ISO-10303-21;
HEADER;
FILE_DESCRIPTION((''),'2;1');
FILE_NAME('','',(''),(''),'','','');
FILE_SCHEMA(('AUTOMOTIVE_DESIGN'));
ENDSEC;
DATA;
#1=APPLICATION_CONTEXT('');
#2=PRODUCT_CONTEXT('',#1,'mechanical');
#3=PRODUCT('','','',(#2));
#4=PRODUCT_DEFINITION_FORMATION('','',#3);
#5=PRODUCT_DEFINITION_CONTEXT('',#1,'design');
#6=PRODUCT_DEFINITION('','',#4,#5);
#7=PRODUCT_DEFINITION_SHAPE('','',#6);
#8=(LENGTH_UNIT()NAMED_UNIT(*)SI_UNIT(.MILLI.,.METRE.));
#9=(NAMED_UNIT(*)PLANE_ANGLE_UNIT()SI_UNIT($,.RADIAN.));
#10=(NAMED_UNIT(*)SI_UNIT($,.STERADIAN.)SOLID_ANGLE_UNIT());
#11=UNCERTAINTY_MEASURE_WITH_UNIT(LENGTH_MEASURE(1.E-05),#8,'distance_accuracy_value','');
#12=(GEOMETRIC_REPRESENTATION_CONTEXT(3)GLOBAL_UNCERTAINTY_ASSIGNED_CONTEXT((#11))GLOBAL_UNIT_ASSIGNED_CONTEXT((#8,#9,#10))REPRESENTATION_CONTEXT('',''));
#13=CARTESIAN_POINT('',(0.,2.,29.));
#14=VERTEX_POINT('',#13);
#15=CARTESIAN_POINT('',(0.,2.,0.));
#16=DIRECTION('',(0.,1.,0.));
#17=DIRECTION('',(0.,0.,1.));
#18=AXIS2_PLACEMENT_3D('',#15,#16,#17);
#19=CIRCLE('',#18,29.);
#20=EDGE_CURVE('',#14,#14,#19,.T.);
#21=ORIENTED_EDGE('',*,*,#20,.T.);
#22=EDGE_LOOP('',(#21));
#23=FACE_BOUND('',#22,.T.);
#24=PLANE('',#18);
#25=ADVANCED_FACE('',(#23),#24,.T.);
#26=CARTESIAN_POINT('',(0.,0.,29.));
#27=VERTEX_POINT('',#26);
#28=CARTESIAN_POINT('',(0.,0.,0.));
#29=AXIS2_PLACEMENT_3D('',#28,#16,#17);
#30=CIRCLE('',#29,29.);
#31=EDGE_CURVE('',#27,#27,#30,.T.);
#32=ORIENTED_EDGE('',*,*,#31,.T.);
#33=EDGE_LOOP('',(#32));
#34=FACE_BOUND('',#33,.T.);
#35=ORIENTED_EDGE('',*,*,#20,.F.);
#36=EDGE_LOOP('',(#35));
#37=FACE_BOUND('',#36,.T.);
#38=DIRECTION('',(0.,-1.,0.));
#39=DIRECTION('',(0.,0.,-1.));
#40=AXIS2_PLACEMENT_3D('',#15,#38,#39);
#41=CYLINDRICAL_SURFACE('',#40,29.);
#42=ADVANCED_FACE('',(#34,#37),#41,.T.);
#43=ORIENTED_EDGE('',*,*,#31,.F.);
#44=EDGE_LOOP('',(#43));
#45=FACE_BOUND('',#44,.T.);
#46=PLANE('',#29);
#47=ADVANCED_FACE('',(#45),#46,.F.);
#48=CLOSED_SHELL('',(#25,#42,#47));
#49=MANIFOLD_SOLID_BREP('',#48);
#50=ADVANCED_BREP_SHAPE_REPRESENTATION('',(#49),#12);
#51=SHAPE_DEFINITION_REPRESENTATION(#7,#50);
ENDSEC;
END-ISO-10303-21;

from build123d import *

# Parameters (mm, degrees)
SKETCH1_R           = 29
BOSS_EXTRUDE1_DEPTH = 2


with BuildPart() as part:
    # Sketch1 → Boss-Extrude1 (new body)
    with BuildSketch(Plane(origin=(0, 0, 0), x_dir=(1, 0, 0), z_dir=(0, 1, 0))):
        with Locations(Location((0, 0, 0), (0, 0, 270))):
            Circle(SKETCH1_R)
    extrude(amount=BOSS_EXTRUDE1_DEPTH)


solid = part.part
